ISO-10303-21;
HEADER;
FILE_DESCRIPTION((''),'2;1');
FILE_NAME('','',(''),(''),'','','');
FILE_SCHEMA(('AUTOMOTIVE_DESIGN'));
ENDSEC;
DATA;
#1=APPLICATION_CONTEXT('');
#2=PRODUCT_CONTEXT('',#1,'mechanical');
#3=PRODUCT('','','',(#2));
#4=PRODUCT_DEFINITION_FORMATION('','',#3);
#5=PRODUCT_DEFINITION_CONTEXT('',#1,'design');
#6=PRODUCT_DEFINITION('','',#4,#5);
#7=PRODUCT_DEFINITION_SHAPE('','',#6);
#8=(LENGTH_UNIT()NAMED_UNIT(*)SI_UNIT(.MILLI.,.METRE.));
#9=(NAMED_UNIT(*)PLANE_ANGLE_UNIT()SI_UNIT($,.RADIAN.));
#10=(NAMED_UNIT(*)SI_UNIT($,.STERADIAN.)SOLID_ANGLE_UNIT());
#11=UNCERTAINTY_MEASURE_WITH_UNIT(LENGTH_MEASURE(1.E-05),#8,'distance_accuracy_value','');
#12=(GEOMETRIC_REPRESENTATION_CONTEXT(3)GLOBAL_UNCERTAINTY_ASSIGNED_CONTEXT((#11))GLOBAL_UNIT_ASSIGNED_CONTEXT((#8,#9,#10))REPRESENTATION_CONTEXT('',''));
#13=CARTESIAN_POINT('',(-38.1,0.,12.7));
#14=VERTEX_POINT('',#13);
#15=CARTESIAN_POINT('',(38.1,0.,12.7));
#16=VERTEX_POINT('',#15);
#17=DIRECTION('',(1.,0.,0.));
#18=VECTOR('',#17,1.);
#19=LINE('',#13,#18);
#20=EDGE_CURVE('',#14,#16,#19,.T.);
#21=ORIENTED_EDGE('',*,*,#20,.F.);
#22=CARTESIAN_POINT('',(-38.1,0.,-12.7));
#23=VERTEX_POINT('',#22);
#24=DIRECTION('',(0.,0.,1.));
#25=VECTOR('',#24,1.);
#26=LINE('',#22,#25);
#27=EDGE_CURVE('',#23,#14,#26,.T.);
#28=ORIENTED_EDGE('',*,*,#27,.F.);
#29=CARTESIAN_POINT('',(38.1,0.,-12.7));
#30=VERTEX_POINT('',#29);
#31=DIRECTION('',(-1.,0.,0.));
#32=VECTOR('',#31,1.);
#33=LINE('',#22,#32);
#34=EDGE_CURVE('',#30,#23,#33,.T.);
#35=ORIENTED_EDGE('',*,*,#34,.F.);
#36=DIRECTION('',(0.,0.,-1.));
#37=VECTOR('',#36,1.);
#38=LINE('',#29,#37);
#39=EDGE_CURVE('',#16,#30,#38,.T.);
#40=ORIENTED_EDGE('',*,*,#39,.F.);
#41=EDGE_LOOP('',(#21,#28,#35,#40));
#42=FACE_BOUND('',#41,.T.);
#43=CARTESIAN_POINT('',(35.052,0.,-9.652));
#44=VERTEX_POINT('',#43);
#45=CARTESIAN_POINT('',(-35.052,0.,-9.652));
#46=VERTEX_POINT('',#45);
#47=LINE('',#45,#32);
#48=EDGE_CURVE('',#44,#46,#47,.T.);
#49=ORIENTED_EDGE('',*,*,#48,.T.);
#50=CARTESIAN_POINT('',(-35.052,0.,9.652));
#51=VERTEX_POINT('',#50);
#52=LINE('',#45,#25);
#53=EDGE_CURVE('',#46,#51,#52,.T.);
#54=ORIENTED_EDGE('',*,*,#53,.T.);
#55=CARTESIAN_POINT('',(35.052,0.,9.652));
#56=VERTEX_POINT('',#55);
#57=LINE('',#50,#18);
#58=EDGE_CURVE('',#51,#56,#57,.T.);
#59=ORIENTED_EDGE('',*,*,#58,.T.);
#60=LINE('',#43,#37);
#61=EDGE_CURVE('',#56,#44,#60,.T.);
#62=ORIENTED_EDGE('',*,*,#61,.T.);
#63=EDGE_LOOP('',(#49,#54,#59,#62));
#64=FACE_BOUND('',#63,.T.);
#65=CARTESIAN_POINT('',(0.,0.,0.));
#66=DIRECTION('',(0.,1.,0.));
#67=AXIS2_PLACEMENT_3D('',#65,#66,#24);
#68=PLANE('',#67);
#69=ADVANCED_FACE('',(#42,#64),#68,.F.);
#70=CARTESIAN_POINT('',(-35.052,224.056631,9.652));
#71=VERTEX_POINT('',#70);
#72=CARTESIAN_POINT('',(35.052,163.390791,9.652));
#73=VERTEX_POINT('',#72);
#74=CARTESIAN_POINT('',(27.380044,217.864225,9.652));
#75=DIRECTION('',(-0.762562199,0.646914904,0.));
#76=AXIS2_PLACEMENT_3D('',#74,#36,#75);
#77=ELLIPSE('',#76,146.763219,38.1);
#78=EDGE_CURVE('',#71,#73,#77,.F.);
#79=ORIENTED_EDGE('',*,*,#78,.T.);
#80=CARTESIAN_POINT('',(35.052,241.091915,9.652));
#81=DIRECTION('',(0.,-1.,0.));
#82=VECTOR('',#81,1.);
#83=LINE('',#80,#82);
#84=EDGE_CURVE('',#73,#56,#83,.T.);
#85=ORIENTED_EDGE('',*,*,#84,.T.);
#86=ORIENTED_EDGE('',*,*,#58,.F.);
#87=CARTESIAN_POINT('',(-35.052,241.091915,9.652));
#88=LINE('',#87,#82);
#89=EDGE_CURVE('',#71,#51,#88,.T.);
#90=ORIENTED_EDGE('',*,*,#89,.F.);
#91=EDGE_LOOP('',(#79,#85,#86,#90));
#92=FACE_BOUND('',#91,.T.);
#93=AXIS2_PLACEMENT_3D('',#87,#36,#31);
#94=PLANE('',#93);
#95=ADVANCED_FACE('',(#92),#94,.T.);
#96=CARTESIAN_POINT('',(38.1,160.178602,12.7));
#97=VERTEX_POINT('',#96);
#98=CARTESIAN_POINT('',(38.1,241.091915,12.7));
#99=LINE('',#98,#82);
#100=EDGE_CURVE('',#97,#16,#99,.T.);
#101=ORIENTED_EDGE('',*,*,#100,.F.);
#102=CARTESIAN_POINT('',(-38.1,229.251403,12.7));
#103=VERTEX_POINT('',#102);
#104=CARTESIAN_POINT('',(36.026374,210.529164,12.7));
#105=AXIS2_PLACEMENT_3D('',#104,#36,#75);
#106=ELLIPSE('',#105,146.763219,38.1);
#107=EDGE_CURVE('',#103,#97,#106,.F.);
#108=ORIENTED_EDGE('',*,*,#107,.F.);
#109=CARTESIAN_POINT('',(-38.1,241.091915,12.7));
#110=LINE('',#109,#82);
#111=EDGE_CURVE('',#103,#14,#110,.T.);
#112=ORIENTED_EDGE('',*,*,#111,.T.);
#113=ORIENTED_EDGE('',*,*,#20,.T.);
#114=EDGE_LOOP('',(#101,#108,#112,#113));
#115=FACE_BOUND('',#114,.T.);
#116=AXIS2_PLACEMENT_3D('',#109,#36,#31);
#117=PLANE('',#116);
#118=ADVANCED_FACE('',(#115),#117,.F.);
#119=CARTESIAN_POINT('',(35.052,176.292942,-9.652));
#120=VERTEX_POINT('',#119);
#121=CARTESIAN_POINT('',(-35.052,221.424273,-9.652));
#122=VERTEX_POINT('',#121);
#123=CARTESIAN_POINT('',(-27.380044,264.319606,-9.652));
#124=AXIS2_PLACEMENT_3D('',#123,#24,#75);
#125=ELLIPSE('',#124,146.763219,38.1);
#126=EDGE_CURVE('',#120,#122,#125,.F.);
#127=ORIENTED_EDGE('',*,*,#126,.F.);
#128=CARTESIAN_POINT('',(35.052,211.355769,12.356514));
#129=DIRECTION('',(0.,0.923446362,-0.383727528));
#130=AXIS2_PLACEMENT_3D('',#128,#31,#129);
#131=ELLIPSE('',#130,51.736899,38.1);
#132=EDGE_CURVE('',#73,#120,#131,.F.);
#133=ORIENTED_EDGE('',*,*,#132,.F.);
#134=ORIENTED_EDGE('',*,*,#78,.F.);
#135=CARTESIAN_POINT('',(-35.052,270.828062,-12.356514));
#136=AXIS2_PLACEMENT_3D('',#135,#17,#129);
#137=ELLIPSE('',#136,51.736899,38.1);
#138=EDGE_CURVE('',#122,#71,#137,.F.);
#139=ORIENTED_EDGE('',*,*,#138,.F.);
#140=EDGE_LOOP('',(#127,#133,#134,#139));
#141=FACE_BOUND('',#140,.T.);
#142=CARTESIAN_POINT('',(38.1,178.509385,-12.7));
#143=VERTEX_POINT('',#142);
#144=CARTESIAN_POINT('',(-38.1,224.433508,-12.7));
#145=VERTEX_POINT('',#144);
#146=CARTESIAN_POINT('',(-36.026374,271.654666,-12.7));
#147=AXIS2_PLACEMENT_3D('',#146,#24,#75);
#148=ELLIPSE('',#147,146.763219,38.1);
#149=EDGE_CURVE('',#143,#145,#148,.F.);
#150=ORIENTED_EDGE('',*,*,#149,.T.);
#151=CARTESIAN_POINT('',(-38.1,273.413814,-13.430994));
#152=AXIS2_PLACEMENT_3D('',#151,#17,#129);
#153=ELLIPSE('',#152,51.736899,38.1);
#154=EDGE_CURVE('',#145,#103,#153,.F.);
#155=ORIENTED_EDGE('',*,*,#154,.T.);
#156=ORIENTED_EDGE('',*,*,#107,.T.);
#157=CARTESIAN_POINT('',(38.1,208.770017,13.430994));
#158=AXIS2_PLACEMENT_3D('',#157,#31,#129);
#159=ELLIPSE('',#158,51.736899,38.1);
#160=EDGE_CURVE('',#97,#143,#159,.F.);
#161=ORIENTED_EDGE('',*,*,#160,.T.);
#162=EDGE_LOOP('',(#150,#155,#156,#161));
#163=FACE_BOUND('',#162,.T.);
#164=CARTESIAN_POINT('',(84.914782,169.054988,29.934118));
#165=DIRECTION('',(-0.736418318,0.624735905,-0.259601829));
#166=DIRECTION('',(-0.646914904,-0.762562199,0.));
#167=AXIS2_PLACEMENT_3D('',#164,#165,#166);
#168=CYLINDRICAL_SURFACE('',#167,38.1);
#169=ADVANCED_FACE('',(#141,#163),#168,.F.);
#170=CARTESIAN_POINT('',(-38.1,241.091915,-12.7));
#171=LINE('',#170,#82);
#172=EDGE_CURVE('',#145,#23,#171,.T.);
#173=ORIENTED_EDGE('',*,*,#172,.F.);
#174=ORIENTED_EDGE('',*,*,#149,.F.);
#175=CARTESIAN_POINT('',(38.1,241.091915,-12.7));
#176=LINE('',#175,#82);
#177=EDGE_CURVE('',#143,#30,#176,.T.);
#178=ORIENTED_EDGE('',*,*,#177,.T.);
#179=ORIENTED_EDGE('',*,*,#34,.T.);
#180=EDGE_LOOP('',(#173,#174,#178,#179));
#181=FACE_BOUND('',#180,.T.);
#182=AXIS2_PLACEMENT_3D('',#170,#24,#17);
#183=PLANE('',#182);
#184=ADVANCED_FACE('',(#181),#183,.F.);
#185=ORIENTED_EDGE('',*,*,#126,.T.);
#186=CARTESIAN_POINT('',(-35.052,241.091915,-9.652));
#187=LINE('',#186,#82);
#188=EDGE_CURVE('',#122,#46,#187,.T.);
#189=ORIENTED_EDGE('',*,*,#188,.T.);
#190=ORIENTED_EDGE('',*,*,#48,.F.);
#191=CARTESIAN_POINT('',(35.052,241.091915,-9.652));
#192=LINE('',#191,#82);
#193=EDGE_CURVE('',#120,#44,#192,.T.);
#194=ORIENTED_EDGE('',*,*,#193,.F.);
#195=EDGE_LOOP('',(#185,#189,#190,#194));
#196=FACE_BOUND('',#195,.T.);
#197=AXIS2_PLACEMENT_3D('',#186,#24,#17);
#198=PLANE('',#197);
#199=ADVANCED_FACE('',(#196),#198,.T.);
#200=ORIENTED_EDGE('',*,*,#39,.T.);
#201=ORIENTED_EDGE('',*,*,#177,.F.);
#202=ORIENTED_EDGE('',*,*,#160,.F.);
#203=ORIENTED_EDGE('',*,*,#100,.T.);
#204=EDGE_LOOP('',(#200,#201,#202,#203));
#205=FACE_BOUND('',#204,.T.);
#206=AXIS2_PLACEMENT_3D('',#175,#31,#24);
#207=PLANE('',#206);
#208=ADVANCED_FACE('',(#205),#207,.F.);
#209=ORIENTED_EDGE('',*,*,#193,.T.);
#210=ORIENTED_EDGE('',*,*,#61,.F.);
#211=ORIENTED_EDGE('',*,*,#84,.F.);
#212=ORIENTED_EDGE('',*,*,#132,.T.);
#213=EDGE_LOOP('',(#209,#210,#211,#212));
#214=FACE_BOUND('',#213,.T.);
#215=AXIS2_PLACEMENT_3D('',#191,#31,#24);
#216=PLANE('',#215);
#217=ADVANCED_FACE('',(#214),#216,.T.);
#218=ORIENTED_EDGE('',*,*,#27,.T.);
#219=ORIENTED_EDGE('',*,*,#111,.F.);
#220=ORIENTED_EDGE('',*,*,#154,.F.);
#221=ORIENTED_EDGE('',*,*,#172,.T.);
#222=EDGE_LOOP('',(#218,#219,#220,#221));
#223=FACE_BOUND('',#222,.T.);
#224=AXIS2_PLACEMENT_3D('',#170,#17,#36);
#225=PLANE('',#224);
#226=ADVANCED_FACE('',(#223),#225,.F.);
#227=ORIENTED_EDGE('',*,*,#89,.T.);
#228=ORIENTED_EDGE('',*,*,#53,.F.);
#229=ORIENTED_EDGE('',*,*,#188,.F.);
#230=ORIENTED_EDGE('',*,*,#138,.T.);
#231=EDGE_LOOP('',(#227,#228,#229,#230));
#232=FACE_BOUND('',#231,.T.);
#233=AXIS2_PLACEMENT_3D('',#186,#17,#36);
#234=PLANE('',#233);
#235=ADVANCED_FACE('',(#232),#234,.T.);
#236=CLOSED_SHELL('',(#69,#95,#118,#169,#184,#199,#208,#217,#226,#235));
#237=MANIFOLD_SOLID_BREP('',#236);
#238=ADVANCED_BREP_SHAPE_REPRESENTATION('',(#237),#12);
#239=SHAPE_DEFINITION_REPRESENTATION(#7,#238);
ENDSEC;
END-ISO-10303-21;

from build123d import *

# Parameters (mm, degrees)
SKETCH1_W           = 76.2
SKETCH1_H           = 25.4
SKETCH1_W_2         = 70.104
SKETCH1_H_2         = 19.304
BOSS_EXTRUDE1_DEPTH = 241.091915
SKETCH3_W           = 76.2
SKETCH3_H           = 25.4
SKETCH3_W_2         = 70.104
SKETCH3_H_2         = 19.304
BOSS_EXTRUDE2_DEPTH = 3.048
CUT_EXTRUDE2_START  = 104.493944
SKETCH5_R           = 38.1
CUT_EXTRUDE2_DEPTH  = 115.162609


with BuildPart() as part:
    # Sketch1 → Boss-Extrude1 (new body)
    with BuildSketch(Plane(origin=(0, 0, 0), x_dir=(1, 0, 0), z_dir=(0, 1, 0))):
        Rectangle(SKETCH1_W, SKETCH1_H)
        Rectangle(SKETCH1_W_2, SKETCH1_H_2, mode=Mode.SUBTRACT)
    extrude(amount=BOSS_EXTRUDE1_DEPTH)

    # Sketch3 → Boss-Extrude2 (add)
    with BuildSketch(Plane(origin=(0, 241.09191526, 0), x_dir=(1, 0, 0), z_dir=(0, 1, 0))):
        Rectangle(SKETCH3_W, SKETCH3_H)
        Rectangle(SKETCH3_W_2, SKETCH3_H_2, mode=Mode.SUBTRACT)
    extrude(amount=BOSS_EXTRUDE2_DEPTH)

    # Sketch5 → Cut-Extrude2 (cut)
    with BuildSketch(Plane(origin=(-101.44355263, 327.150922863, -35.760832037), x_dir=(0.275534909, -0.073492792, -0.958477607), z_dir=(0.736418318, -0.624735905, 0.259601829)).offset(CUT_EXTRUDE2_START)):
        Circle(SKETCH5_R)
    extrude(amount=CUT_EXTRUDE2_DEPTH, mode=Mode.SUBTRACT)


solid = part.part
